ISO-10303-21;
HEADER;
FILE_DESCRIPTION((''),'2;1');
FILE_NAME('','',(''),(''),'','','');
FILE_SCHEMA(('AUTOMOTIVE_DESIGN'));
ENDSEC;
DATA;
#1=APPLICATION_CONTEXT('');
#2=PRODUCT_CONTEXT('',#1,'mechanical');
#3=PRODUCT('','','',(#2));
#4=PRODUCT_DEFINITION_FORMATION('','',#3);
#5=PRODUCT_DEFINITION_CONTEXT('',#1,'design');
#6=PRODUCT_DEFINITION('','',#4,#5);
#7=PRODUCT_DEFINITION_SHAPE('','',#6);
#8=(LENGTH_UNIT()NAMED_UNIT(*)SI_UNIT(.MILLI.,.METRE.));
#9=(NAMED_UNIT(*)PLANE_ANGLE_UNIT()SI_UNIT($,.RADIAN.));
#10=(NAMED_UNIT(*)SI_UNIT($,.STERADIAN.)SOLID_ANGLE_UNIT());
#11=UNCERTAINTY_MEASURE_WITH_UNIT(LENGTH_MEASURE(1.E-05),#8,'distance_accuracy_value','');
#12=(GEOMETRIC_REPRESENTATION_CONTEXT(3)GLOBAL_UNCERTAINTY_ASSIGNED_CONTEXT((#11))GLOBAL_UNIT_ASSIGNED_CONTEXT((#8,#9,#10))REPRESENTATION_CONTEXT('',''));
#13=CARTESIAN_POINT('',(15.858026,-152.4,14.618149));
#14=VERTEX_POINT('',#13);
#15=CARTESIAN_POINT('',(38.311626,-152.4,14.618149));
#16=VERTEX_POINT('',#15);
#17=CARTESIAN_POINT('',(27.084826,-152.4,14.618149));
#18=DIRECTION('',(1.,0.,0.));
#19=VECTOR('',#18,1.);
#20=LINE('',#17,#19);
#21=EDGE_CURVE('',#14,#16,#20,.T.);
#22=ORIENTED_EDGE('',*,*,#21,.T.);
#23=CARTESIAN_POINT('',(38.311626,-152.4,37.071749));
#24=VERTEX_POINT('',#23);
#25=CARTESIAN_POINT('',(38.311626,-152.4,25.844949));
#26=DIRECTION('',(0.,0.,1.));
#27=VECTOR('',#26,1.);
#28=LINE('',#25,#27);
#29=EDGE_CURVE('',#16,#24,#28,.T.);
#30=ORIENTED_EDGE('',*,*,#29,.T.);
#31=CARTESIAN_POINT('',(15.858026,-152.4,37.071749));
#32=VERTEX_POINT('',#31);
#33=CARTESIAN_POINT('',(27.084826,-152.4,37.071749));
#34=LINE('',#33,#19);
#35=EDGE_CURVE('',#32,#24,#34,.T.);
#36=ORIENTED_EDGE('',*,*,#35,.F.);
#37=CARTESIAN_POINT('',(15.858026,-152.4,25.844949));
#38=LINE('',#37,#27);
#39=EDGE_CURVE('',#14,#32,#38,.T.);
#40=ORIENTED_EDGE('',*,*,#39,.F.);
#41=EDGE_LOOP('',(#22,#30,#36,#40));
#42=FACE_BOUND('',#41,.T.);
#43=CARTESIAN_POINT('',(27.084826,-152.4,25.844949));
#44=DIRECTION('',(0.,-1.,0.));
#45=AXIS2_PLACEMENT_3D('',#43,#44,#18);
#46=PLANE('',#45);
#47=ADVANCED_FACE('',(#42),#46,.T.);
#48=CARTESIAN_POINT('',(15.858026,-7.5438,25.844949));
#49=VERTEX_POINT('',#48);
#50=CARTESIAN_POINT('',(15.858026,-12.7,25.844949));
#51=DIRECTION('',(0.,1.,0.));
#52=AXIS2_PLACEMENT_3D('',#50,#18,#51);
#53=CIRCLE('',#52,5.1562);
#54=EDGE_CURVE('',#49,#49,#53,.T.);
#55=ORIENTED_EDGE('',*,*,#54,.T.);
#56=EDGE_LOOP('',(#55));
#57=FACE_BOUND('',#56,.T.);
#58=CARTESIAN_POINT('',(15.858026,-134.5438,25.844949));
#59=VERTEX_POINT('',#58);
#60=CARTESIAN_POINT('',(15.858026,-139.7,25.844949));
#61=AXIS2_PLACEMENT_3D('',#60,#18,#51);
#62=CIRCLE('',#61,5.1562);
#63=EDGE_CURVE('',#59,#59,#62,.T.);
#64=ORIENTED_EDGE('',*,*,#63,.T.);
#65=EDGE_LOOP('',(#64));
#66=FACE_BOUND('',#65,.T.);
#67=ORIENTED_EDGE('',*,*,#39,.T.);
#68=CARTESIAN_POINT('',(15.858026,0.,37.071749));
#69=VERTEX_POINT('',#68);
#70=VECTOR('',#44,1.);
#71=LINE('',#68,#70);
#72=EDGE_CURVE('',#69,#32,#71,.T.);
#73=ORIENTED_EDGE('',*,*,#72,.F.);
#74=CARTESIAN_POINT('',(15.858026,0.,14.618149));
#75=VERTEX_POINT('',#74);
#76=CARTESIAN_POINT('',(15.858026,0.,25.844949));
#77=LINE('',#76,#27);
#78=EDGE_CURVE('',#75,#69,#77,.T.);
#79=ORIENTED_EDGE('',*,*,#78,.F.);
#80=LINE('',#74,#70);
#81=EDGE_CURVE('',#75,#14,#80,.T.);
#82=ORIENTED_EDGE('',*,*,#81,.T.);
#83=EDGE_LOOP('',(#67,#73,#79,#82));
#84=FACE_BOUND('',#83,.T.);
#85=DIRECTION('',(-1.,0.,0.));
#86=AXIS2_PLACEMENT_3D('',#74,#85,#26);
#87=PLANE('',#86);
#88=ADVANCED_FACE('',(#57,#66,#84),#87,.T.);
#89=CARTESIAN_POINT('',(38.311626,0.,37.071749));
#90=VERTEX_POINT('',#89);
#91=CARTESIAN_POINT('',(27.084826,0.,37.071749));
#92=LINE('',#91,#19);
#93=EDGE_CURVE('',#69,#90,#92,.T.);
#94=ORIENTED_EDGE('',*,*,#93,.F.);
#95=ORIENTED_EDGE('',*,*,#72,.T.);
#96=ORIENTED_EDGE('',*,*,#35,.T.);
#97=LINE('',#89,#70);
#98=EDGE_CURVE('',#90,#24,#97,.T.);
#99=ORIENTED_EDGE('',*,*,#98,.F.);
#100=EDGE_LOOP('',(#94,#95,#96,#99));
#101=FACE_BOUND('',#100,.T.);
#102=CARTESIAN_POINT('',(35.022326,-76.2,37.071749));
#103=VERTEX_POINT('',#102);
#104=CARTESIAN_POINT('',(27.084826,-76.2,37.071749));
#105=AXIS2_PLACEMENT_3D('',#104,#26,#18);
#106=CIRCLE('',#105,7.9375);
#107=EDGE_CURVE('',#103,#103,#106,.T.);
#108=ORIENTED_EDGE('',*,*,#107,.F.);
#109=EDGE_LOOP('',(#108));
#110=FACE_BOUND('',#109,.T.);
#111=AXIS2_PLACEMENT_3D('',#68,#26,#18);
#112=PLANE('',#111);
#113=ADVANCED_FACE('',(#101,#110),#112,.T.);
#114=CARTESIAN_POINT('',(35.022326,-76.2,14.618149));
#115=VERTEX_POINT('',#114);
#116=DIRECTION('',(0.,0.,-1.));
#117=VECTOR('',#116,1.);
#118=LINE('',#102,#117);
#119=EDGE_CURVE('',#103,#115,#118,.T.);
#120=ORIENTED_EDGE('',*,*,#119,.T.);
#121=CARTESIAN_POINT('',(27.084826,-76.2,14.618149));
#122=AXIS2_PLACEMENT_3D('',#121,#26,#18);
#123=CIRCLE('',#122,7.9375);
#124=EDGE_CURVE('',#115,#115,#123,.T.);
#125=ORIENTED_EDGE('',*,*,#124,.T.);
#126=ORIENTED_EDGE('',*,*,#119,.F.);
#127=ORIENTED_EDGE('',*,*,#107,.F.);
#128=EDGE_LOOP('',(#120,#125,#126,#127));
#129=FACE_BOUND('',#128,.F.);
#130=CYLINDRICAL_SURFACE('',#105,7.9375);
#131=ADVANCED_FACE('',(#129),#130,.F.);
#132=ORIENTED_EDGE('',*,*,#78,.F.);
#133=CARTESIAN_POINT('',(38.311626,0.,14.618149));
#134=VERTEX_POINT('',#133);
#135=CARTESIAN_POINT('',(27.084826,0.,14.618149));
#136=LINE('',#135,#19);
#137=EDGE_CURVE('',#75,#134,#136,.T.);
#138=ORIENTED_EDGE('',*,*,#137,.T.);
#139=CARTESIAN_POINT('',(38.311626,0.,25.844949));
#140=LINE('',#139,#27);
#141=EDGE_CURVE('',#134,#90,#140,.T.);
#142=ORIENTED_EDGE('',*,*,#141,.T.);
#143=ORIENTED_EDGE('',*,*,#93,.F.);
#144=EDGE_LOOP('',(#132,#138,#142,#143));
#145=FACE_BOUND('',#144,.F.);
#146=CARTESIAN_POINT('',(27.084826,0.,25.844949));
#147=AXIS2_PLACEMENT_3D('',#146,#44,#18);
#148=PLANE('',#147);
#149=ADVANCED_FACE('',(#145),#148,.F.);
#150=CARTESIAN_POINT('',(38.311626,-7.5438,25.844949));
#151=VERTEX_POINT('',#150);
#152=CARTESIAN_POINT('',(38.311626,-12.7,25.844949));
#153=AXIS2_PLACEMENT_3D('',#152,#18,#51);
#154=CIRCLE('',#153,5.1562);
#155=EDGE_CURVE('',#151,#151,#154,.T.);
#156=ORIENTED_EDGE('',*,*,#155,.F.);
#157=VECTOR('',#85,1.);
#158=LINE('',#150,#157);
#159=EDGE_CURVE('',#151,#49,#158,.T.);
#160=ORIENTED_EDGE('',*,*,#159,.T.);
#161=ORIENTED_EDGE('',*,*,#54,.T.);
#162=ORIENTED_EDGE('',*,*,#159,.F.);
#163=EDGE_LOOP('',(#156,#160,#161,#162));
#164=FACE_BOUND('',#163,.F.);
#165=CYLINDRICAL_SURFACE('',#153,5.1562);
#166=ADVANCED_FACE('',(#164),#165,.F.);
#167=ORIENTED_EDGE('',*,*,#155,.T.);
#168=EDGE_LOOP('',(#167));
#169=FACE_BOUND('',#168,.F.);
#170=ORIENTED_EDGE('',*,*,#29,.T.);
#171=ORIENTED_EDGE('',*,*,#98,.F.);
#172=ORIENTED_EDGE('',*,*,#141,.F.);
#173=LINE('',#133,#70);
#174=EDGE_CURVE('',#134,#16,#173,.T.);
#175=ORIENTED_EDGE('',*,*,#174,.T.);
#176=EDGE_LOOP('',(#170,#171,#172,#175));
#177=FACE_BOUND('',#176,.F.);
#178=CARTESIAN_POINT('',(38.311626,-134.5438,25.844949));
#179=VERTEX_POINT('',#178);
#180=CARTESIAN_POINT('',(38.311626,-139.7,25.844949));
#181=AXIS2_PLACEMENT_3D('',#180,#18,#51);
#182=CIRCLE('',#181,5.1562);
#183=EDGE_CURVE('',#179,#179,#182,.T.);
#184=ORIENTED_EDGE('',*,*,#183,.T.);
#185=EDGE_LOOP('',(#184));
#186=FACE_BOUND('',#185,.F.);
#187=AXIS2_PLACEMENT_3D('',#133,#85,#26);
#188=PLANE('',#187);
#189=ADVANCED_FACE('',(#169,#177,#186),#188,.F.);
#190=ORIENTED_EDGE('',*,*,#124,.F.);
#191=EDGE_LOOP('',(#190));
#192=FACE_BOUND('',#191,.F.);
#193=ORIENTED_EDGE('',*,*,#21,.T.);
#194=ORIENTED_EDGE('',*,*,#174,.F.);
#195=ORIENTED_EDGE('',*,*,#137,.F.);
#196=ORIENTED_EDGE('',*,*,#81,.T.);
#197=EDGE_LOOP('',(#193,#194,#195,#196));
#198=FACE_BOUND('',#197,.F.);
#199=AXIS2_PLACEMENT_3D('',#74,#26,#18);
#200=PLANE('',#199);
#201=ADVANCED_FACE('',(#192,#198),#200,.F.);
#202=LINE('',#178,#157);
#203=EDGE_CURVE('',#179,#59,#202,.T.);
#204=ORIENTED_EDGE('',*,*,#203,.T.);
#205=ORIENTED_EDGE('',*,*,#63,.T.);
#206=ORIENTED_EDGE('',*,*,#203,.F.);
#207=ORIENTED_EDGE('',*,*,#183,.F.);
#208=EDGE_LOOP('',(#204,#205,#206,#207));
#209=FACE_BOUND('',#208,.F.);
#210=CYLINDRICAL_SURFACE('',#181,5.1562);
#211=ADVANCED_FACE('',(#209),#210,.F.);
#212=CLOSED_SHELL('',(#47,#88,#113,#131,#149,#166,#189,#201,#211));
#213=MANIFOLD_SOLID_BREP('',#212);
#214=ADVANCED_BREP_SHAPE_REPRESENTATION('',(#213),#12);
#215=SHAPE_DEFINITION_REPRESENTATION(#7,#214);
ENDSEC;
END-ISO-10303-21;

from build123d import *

# Parameters (mm, degrees)
F0_W     = 22.4536
F0_H     = 22.4536
F1_DEPTH = 152.4
F2_R     = 7.9375
F3_DEPTH = 22.4546
F4_R     = 5.1562
F5_DEPTH = 22.4546


with BuildPart() as f1:
    # F0 (on Front) → F1 (new body)
    with BuildSketch(Plane.XZ):
        with Locations((27.084826, 25.844949)):
            Rectangle(F0_W, F0_H)
    extrude(amount=F1_DEPTH)

    # F2 (on face) → F3 (cut, through all)
    with BuildSketch(Plane.XY.offset(37.071749)):
        with Locations((27.084826, -76.2)):
            Circle(F2_R)
    extrude(amount=-F3_DEPTH, mode=Mode.SUBTRACT)

    # F4 (on face) → F5 (cut, through all)
    with BuildSketch(Plane.YZ.offset(38.311626)):
        with Locations((-139.7, 25.844949)):
            Circle(F4_R)
        with Locations((-12.7, 25.844949)):
            Circle(F4_R)
    extrude(amount=-F5_DEPTH, mode=Mode.SUBTRACT)


solid = f1.part
